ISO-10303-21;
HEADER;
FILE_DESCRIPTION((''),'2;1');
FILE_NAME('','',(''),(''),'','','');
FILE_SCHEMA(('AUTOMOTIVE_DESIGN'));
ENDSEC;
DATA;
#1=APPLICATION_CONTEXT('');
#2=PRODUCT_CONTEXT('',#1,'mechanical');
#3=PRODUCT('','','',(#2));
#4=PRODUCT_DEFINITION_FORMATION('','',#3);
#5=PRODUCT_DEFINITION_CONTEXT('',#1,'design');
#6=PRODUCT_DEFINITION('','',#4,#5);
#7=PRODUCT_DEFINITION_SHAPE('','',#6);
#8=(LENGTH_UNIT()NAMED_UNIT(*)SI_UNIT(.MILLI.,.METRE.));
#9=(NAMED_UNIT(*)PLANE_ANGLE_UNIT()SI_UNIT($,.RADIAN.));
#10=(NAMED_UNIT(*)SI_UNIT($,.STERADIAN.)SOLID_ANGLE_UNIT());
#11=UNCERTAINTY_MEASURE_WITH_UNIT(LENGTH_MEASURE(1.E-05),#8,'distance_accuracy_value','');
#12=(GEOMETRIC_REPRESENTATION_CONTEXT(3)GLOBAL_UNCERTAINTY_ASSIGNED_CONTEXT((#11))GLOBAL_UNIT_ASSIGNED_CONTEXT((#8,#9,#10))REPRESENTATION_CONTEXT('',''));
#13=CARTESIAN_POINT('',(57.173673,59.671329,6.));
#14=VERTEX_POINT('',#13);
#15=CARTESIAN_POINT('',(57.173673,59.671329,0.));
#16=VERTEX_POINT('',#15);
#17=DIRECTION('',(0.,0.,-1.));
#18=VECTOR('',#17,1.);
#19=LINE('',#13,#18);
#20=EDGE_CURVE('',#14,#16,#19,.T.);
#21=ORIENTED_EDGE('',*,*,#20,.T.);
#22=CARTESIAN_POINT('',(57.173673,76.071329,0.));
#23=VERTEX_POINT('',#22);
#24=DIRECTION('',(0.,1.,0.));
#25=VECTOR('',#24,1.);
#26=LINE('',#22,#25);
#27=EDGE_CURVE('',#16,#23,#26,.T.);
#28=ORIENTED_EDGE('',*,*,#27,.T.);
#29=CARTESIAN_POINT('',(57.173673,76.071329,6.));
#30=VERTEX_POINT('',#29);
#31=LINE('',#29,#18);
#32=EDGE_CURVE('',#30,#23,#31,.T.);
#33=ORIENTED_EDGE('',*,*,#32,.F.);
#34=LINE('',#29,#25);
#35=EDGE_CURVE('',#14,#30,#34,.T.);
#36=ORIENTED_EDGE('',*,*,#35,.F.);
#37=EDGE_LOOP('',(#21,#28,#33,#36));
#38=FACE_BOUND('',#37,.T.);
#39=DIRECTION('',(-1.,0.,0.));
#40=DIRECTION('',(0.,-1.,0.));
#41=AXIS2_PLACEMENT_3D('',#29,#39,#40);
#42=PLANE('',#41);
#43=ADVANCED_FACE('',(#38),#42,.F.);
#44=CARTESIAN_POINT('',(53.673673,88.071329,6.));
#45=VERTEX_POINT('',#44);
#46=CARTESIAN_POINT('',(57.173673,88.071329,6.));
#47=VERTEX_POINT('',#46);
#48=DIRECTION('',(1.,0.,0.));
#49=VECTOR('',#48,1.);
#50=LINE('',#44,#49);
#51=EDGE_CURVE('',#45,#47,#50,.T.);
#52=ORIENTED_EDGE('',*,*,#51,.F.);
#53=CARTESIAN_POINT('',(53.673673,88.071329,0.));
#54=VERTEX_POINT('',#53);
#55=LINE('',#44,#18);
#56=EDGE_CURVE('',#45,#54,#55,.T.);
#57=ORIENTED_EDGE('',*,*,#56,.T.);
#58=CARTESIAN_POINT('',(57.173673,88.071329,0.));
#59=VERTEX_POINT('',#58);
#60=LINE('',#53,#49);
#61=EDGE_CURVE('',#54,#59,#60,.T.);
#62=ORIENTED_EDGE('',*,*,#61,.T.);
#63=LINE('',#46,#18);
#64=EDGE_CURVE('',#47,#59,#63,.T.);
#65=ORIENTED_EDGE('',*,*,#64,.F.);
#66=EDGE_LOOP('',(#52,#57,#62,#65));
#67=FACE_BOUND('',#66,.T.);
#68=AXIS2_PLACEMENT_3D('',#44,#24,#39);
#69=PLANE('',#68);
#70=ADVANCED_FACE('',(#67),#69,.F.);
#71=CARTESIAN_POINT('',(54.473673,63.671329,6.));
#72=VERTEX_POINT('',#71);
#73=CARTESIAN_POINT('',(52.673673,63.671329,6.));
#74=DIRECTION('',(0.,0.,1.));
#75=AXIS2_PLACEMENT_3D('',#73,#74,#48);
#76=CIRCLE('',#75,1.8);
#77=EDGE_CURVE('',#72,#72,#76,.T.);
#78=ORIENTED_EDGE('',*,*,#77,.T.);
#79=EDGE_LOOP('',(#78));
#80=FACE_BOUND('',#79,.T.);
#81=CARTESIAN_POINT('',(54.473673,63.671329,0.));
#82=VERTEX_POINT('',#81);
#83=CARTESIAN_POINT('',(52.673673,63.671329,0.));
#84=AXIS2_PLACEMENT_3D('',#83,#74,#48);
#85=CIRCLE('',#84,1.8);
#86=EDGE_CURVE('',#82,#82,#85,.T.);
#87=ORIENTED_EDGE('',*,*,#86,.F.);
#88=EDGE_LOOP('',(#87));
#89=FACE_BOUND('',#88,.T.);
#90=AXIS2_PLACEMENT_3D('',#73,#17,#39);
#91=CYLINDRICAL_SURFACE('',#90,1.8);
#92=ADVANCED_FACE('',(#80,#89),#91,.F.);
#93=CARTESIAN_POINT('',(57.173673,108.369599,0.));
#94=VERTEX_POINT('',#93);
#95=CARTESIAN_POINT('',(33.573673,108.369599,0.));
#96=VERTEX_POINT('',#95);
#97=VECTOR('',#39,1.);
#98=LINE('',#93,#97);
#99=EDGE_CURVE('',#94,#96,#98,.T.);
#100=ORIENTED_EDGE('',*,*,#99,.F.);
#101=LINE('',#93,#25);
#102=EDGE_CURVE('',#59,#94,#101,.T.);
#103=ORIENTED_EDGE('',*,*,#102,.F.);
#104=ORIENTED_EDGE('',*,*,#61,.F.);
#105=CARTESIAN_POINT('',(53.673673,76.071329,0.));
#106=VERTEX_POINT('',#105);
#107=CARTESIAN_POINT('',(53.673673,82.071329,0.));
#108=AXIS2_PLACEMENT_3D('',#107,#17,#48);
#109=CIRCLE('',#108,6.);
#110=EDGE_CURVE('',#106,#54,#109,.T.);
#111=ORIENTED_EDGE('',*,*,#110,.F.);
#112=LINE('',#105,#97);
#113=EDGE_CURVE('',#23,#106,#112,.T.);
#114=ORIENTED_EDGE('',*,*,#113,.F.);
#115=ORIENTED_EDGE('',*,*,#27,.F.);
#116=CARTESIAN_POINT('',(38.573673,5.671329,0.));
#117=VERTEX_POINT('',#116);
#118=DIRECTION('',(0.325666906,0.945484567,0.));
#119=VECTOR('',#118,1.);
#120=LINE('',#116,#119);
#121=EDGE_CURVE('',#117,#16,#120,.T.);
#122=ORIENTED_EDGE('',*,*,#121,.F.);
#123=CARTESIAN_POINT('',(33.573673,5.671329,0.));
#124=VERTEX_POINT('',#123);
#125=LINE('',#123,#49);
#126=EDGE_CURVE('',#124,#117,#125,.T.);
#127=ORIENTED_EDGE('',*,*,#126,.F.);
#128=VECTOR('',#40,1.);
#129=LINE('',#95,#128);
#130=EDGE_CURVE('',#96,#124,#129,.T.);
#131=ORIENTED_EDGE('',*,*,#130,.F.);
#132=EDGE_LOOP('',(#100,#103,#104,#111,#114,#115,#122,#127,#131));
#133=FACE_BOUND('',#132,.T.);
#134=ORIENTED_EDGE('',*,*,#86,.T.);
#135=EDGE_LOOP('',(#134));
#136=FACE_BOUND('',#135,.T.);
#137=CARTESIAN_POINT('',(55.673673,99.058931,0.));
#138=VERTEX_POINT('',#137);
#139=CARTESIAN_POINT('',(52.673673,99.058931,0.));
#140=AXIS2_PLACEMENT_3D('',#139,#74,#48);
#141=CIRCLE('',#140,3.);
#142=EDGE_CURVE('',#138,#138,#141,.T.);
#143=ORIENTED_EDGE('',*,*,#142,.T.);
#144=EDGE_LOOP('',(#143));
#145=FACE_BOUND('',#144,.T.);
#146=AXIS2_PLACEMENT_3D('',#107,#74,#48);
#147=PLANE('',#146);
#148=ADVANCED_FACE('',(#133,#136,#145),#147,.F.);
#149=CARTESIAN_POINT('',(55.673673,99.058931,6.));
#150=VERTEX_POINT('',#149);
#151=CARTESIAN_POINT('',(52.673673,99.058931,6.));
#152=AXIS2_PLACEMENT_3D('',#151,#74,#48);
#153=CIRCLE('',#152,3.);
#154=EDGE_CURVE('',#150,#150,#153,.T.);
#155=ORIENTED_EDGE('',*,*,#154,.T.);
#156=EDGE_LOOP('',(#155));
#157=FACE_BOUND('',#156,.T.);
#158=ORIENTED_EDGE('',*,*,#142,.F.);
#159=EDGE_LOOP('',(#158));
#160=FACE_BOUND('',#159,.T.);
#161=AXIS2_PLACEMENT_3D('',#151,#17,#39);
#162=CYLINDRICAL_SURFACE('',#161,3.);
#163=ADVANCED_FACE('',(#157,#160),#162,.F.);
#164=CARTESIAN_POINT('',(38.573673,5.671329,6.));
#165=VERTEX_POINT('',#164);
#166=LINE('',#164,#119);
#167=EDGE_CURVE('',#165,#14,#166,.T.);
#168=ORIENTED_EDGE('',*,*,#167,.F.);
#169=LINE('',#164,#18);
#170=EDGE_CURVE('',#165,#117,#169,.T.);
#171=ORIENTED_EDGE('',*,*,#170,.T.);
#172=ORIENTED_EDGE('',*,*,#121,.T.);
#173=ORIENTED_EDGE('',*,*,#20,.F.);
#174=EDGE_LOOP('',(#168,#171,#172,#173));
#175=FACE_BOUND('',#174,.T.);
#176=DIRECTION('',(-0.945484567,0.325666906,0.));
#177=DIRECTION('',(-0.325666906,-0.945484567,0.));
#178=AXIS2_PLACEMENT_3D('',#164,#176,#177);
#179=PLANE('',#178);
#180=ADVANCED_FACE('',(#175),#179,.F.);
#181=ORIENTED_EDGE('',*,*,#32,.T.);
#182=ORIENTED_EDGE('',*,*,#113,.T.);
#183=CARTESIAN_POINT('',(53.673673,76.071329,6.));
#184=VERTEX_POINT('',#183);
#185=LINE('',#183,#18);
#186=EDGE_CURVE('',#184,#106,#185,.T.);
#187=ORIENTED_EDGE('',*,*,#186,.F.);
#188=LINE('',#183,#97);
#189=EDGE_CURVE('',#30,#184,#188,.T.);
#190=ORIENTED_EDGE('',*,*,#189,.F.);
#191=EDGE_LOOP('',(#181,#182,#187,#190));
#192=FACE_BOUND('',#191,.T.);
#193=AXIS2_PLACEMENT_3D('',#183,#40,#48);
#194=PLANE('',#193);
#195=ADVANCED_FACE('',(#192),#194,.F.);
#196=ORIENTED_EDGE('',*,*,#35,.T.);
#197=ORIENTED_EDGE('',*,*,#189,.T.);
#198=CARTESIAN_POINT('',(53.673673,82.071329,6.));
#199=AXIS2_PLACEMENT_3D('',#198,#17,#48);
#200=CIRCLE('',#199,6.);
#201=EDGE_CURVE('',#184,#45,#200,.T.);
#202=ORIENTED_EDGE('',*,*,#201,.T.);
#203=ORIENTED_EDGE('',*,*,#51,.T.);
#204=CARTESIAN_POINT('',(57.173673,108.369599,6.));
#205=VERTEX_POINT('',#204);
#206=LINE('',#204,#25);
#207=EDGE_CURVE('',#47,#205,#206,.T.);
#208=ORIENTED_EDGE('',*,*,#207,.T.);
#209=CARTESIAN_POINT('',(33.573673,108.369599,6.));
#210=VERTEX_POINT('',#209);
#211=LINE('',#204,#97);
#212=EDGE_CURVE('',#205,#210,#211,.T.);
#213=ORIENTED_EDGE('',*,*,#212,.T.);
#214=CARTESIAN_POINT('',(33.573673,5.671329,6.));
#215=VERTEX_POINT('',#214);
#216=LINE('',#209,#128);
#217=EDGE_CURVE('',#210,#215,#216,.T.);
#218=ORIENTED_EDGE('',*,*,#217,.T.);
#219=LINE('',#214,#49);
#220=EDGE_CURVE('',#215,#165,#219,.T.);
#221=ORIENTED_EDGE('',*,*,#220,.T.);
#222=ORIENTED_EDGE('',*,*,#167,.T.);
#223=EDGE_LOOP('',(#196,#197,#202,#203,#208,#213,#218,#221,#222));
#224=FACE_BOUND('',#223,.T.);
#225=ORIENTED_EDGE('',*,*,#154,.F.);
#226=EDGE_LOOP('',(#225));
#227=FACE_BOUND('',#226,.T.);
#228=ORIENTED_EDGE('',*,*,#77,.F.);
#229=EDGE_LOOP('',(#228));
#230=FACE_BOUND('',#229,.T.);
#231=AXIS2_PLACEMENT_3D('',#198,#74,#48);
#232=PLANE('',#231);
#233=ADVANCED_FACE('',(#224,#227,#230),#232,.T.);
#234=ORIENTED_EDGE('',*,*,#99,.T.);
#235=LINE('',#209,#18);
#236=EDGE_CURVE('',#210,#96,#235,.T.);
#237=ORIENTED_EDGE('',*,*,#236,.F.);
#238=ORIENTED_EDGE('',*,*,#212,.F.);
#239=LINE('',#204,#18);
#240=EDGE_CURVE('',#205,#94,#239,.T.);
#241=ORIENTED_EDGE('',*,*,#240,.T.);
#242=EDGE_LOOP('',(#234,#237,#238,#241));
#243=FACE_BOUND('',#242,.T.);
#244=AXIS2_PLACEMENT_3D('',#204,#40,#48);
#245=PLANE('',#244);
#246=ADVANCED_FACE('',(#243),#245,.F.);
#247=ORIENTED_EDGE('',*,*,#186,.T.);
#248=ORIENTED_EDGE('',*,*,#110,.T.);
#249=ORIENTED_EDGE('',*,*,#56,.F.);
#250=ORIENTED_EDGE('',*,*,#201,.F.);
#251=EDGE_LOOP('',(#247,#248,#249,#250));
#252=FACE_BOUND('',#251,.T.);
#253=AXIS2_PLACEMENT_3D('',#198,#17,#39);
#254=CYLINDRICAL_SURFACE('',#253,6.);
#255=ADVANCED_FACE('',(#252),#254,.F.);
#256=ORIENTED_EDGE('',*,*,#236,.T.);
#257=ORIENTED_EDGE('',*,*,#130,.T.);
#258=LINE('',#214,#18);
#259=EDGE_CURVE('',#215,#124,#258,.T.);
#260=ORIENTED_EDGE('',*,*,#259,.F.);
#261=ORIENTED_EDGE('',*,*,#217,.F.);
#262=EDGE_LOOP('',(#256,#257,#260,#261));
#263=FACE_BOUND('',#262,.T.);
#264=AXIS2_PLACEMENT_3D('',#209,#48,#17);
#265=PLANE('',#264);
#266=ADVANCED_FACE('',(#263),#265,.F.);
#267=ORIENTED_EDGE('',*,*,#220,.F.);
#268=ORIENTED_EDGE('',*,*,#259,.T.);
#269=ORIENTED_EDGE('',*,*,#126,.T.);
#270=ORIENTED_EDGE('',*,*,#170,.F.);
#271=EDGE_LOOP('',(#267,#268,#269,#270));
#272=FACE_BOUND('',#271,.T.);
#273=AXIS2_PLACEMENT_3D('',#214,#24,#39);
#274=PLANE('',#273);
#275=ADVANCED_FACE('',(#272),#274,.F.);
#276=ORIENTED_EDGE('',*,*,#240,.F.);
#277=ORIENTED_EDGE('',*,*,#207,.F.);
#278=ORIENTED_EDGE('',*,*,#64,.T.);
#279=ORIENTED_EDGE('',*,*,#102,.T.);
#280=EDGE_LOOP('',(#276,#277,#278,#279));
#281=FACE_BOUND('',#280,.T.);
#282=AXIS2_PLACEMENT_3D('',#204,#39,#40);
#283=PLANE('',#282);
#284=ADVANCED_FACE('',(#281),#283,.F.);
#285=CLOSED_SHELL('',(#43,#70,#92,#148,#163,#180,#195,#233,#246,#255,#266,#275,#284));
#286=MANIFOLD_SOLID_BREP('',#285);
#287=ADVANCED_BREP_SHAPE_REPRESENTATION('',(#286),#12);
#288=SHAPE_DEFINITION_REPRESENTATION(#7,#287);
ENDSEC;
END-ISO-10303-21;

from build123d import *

# Parameters (mm, degrees)
MODEL_R                  = 1.8
MODEL_R_2                = 3
RESSALTO_EXTRUS_O1_DEPTH = 6


with BuildPart() as part:
    # Model → Ressalto-extrusão1 (new body)
    with BuildSketch(Plane.XY):
        with BuildLine():
            Line((57.173673193, 108.36959926), (33.573673193, 108.36959926))
            Line((33.573673193, 108.36959926), (33.573673193, 5.671329379))
            Line((33.573673193, 5.671329379), (38.573673193, 5.671329379))
            Line((38.573673193, 5.671329379), (57.173673193, 59.671329379))
            Line((57.173673193, 59.671329379), (57.173673193, 76.071329379))
            Line((57.173673193, 76.071329379), (53.673673193, 76.071329379))
            ThreePointArc((53.673673193, 76.071329379), (47.673673193, 82.071329379), (53.673673193, 88.071329379))
            Line((53.673673193, 88.071329379), (57.173673193, 88.071329379))
            Line((57.173673193, 88.071329379), (57.173673193, 108.36959926))
        make_face()
        with Locations((52.673673193, 63.671329379)):
            Circle(MODEL_R, mode=Mode.SUBTRACT)
        with Locations((52.673673193, 99.058930778)):
            Circle(MODEL_R_2, mode=Mode.SUBTRACT)
    extrude(amount=RESSALTO_EXTRUS_O1_DEPTH)


solid = part.part
